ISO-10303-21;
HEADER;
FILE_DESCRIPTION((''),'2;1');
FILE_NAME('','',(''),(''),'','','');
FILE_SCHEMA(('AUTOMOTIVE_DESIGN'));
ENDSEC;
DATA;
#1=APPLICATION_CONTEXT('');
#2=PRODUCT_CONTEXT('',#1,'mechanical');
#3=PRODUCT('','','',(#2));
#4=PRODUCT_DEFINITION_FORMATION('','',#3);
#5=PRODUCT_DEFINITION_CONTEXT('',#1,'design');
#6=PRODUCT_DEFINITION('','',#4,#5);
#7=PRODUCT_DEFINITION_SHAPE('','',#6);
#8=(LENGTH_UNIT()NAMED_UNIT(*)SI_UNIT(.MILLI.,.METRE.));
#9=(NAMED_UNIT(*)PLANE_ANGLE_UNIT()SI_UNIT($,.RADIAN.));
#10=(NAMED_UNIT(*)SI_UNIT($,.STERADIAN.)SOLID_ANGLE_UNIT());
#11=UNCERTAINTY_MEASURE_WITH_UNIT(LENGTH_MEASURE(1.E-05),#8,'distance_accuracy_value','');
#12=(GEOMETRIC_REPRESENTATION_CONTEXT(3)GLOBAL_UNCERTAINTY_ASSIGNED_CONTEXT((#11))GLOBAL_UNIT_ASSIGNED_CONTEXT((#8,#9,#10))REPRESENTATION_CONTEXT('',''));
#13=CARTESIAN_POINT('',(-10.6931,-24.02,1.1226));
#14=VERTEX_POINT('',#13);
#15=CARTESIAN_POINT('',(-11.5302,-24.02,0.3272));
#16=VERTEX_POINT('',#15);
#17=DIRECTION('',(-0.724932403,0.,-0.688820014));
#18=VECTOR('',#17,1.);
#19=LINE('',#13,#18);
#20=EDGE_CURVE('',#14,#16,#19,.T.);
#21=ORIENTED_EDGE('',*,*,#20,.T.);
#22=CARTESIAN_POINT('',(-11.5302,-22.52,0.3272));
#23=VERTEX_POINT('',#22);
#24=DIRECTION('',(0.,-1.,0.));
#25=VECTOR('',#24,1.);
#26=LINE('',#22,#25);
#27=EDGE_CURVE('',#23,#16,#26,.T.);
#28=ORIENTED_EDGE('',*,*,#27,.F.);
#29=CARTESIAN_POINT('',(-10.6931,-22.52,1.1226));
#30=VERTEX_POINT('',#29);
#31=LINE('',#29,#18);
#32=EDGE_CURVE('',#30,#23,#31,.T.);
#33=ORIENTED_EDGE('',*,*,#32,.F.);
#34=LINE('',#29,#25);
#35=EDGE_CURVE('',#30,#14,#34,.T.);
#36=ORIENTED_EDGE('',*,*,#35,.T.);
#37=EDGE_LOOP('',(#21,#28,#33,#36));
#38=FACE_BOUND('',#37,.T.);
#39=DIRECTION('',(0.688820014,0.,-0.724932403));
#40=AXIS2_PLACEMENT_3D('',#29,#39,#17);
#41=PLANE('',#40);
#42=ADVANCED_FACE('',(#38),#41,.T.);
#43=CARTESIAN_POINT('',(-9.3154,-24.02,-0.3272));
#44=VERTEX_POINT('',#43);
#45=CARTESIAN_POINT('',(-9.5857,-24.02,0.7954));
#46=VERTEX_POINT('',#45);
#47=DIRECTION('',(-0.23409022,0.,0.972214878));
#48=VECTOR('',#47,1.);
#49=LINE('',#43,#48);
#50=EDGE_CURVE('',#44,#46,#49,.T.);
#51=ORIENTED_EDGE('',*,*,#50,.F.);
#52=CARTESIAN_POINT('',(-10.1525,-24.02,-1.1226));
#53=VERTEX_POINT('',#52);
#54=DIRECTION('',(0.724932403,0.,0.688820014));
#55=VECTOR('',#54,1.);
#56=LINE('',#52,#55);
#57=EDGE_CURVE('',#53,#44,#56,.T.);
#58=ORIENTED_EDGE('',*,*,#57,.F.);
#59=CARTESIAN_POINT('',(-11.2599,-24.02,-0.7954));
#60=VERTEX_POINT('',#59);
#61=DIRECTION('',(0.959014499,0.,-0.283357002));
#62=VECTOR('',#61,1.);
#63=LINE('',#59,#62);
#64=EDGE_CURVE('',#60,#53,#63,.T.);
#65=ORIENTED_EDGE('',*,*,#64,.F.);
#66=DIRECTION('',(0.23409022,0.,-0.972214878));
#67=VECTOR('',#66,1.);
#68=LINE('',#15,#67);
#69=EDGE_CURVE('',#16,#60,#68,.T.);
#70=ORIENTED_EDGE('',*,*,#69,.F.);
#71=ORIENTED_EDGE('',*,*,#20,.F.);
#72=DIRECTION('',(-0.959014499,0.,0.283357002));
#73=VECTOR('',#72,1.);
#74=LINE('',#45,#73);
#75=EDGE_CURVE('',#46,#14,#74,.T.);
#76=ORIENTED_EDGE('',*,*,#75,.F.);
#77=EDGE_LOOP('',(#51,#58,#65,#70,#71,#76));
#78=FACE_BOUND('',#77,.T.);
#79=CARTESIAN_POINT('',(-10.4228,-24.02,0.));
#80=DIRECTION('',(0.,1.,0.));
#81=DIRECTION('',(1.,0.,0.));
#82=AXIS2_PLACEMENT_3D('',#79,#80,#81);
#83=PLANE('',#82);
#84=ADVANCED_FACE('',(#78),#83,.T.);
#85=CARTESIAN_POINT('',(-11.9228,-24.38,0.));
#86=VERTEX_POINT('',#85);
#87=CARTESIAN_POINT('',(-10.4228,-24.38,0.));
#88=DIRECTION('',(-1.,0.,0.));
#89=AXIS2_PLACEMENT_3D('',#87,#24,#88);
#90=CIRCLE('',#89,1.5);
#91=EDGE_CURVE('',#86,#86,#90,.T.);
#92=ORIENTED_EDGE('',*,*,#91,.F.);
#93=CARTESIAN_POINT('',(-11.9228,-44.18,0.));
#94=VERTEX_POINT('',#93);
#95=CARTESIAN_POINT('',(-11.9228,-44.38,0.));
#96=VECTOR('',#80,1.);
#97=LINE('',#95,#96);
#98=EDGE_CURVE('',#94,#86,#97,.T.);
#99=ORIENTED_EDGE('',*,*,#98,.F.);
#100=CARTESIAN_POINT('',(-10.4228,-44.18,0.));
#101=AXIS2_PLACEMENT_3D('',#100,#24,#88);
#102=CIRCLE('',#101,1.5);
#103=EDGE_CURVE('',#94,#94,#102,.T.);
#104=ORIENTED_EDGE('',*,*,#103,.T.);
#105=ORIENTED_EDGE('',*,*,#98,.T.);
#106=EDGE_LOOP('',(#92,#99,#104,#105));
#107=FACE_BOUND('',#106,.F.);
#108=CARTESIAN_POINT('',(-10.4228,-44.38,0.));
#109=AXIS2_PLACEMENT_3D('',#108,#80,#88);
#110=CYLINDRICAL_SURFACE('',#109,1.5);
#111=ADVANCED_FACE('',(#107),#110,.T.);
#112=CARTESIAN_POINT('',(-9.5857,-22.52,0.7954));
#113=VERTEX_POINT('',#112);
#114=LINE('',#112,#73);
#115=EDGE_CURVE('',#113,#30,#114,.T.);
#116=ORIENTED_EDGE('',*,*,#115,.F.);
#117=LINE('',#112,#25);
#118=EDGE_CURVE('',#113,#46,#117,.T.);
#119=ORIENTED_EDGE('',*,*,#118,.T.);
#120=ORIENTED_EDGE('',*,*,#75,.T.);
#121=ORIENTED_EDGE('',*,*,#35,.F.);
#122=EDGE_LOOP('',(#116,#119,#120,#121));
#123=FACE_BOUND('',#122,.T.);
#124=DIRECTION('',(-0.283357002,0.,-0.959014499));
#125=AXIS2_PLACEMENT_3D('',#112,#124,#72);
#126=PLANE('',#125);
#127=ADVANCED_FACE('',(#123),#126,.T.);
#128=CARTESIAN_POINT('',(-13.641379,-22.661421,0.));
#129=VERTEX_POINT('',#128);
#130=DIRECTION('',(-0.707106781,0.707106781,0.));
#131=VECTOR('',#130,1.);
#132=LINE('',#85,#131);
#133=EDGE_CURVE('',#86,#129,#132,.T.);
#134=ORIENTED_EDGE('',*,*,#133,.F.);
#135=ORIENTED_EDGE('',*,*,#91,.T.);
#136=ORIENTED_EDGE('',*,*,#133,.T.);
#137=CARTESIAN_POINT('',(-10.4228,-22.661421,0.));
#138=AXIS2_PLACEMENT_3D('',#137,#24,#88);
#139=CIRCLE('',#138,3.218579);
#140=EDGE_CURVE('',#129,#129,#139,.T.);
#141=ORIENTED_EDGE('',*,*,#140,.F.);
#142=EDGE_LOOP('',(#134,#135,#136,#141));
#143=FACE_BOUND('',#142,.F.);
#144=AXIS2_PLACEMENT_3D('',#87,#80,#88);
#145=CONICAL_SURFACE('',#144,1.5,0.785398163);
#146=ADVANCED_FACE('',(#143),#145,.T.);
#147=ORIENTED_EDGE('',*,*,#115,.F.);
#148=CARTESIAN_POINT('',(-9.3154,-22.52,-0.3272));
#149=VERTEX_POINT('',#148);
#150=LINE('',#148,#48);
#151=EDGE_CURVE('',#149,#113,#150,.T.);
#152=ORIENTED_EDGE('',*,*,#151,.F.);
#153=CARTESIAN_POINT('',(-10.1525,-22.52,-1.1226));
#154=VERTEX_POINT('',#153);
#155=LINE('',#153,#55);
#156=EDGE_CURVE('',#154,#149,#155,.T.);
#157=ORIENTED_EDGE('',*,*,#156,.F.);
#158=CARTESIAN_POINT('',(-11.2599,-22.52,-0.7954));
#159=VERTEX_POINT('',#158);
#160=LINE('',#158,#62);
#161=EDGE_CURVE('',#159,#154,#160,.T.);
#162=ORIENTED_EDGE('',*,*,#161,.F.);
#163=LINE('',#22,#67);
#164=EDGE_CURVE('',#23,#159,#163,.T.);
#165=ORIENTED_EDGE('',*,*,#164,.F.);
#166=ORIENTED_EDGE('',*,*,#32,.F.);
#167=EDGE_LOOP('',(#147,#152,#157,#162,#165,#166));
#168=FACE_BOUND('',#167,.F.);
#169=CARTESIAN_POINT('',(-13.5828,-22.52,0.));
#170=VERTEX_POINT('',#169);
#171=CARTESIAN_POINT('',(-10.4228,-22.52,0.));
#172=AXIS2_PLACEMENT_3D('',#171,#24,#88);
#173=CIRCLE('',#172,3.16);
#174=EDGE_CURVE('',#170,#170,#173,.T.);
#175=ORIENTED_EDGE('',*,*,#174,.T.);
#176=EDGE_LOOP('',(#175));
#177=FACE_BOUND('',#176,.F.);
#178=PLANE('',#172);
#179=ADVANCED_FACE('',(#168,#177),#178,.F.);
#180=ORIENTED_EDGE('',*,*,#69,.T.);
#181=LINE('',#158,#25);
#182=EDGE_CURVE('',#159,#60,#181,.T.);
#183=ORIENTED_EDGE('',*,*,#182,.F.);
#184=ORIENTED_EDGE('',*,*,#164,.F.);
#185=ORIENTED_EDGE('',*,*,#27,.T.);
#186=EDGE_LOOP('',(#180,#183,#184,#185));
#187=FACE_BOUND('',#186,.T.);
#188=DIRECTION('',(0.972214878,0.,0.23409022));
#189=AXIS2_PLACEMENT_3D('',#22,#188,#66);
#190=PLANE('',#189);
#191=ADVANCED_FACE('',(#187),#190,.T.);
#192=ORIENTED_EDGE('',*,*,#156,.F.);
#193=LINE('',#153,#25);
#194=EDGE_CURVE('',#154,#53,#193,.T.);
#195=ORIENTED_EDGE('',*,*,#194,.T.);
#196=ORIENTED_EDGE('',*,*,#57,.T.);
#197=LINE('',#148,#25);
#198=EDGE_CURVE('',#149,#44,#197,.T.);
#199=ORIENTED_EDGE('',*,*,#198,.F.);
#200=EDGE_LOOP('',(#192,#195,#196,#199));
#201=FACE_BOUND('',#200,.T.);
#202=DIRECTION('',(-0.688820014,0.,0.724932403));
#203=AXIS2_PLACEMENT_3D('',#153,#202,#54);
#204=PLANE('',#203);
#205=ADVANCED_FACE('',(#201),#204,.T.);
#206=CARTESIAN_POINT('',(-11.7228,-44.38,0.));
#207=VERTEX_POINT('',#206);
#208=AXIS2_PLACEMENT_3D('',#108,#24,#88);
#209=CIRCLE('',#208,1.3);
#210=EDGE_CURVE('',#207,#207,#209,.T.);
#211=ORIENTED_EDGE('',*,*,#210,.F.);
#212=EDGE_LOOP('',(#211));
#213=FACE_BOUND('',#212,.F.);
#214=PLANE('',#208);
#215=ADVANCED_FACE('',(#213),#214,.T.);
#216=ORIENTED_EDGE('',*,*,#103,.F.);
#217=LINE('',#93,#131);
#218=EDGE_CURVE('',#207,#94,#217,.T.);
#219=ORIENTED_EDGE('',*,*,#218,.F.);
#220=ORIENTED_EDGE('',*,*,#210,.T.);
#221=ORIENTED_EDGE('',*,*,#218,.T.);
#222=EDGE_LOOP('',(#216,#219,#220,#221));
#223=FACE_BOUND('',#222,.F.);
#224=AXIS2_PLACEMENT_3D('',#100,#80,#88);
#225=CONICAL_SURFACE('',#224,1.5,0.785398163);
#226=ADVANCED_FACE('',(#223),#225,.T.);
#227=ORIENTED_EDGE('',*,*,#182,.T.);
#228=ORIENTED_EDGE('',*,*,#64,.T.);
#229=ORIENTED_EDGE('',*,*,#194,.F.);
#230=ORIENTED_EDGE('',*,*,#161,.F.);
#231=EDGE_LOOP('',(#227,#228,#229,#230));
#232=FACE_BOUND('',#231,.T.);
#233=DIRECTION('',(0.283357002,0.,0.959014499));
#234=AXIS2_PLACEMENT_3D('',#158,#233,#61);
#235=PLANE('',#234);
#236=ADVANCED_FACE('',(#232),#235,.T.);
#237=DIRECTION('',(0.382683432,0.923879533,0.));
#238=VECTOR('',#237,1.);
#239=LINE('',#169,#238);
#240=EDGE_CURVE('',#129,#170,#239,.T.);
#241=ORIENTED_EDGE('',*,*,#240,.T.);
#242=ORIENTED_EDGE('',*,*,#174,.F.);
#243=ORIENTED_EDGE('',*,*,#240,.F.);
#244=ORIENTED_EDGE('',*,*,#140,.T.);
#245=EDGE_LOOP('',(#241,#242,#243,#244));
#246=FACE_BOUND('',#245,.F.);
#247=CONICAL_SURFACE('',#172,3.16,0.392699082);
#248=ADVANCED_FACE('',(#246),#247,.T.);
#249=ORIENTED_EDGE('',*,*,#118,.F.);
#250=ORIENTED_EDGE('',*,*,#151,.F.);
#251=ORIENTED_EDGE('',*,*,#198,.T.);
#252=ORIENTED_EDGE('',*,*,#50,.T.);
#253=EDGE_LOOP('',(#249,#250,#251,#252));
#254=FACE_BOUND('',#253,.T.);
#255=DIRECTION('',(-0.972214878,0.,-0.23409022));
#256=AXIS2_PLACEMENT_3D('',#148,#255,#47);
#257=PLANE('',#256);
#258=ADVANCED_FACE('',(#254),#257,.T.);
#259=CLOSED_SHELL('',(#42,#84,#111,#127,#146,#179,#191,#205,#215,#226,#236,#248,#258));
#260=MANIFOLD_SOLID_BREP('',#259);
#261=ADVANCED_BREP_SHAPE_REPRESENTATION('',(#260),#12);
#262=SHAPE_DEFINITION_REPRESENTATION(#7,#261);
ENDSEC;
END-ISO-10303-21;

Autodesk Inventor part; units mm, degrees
ref_plane "YZ Plane" through (0, 0, 0) normal (1, 0, 0) x (0, 1, 0)
ref_plane "XZ Plane" through (0, 0, 0) normal (0, 1, 0) x (-1, 0, 0)
ref_plane "XY Plane" through (0, 0, 0) normal (0, 0, 1) x (1, 0, 0)
sketch "Sketch1" plane through (0, 0, 0) normal (0, 0, 1) x (1, 0, 0)
  line L0 (-13.7828, -22.52) -> (-10.4228, -22.52)
  line L1 (-10.4228, -22.52) -> (-10.4228, -29.38)
  line L2 (-10.4228, -29.38) -> (-10.4228, -44.38)
  line L3 (-10.4228, -44.38) -> (-11.9228, -44.38)
  line L4 (-11.9228, -44.38) -> (-11.9228, -24.38)
  line L5 (-11.9228, -24.38) -> (-13.7828, -22.52)
  point P0 (0, 0)
  dimension "d3" = 1.5
  dimension "d15" = 1.86
  dimension "d16" = 3.36
  dimension "d23" = 20
  dimension "d24" = 21.86
revolve "Revolution1" add sketch "Sketch1" angle 360 about axis through (-10.4228, -29.38, 0) along (0, -1, 0)
chamfer "Chamfer2" distance 0.2 angle 45 1 edges at (-8.9228, -44.38, 0)
chamfer "Chaflán3" distance 0.2 angle 45 1 edges at (-7.0628, -22.52, 0)
sketch "Boceto2" plane through (-10.4228, -22.52, 0) normal (0, 1, 0) x (1, 0, 0)
  line L0 (-0.8371, 0.7954) -> (0.2703, 1.1226)
  line L1 (0.2703, 1.1226) -> (1.1074, 0.3272)
  line L2 (1.1074, 0.3272) -> (0.8371, -0.7954)
  line L3 (0.8371, -0.7954) -> (-0.2703, -1.1226)
  line L4 (-0.2703, -1.1226) -> (-1.1074, -0.3272)
  line L5 (-1.1074, -0.3272) -> (-0.8371, 0.7954)
  point P0 (10.4228, 0)
  point P1 (0, 0)
  dimension "d20" = 2
extrude "Extrusión1" cut sketch "Boceto2" against normal blind 1.5
thread "Thread2" size "M3x0.5" class "6g" standard "ISO Metric profile" length 98
properties part number "Tornillo Allen cabeza fresada M3x20mm"
